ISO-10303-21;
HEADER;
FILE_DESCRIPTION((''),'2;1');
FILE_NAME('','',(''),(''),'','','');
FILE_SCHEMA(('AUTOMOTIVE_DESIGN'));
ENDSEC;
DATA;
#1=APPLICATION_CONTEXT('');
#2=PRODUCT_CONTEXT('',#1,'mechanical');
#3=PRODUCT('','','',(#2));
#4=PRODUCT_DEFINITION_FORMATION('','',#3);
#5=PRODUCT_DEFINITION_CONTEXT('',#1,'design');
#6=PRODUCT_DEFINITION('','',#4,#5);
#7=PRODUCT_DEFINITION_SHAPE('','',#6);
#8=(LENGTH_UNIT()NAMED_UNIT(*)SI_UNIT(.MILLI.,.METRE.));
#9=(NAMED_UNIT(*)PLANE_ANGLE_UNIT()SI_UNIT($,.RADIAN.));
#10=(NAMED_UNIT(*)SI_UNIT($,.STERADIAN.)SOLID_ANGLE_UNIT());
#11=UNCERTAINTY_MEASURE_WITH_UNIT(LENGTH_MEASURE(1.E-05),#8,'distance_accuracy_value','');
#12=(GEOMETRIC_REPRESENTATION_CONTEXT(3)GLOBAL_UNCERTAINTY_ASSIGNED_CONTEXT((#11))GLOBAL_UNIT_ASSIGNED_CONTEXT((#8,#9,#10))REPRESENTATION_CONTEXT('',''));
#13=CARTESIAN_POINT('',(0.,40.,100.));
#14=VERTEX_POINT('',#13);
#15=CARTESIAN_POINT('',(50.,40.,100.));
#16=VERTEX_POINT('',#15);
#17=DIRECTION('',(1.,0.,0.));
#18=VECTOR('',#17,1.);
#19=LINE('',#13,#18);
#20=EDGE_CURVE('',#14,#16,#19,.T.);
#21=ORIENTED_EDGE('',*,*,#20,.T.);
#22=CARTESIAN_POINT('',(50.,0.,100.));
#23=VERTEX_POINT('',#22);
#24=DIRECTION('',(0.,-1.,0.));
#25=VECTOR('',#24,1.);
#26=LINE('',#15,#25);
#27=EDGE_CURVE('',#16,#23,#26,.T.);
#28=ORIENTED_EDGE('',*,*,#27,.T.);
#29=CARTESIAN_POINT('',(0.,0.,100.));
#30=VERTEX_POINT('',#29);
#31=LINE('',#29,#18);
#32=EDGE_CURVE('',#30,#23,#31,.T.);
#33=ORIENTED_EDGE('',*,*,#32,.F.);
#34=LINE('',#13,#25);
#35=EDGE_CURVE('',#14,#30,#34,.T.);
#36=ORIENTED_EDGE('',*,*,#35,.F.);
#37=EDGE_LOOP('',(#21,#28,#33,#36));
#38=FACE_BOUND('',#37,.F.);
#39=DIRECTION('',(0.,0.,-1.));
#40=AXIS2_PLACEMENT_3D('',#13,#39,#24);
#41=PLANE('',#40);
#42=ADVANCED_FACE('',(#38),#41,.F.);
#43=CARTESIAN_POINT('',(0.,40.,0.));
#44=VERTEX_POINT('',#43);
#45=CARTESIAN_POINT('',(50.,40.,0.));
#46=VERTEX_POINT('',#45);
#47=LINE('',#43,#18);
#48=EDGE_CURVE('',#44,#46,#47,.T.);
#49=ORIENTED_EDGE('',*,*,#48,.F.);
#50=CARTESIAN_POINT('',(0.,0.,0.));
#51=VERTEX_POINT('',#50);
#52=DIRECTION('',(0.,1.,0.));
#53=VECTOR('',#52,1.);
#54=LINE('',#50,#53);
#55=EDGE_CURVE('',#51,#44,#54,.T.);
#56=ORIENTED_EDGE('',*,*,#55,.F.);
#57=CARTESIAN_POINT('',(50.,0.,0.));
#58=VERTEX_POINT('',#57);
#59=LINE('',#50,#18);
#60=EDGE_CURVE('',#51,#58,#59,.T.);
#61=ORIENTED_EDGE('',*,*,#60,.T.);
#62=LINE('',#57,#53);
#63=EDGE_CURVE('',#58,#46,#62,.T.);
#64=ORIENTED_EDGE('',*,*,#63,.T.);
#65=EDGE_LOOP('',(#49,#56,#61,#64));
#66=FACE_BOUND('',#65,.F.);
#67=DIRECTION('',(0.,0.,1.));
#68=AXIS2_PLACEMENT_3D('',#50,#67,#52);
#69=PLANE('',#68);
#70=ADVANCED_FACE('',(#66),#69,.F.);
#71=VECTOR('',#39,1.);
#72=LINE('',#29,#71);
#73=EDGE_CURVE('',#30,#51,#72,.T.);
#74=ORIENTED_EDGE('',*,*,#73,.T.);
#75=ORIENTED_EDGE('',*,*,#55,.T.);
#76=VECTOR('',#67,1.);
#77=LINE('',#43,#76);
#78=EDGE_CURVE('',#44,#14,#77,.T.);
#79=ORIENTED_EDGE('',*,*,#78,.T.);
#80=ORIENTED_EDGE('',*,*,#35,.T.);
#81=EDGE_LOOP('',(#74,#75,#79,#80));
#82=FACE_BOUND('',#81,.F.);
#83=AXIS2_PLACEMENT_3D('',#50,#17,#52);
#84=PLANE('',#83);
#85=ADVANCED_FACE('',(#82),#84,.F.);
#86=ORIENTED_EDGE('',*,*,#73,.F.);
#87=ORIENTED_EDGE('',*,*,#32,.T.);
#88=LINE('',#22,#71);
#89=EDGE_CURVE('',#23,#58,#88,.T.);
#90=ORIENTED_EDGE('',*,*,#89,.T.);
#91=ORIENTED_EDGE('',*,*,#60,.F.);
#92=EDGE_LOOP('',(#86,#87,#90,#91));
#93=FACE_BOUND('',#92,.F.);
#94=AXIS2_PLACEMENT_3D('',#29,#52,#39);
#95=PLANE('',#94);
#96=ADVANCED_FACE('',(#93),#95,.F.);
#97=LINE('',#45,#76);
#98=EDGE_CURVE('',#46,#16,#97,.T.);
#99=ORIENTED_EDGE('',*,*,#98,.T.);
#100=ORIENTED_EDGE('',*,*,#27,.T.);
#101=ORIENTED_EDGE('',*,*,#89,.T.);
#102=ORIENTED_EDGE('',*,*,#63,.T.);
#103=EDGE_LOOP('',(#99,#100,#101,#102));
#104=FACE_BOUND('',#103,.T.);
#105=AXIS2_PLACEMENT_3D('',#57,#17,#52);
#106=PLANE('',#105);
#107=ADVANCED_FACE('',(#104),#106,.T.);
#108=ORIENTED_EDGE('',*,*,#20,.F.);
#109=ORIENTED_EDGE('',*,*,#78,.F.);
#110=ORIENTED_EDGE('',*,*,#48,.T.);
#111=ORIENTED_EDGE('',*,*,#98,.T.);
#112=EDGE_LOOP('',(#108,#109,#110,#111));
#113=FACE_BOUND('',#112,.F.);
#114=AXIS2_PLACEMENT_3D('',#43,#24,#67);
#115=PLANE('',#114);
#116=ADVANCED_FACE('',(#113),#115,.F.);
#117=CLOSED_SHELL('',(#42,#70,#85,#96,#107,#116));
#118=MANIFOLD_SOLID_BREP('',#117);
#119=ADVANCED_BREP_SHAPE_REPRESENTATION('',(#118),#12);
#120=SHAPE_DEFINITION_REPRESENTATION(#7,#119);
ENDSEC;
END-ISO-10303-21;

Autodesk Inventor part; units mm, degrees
ref_plane "YZ Plane" through (0, 0, 0) normal (1, 0, 0) x (0, 1, 0)
ref_plane "XZ Plane" through (0, 0, 0) normal (0, 1, 0) x (-1, 0, 0)
ref_plane "XY Plane" through (0, 0, 0) normal (0, 0, 1) x (1, 0, 0)
sketch "Эскиз1" plane through (0, 0, 0) normal (1, 0, 0) x (0, 1, 0)
  line L0 (0, 0) -> (40, 0)
  line L1 (40, 0) -> (40, 100)
  line L2 (40, 100) -> (0, 100)
  line L3 (0, 100) -> (0, 0)
  dimension "d0" = 40
  dimension "d1" = 100
extrude "Выдавливание1" add sketch "Эскиз1" along normal blind 50
properties part number "Аккумулятор"
